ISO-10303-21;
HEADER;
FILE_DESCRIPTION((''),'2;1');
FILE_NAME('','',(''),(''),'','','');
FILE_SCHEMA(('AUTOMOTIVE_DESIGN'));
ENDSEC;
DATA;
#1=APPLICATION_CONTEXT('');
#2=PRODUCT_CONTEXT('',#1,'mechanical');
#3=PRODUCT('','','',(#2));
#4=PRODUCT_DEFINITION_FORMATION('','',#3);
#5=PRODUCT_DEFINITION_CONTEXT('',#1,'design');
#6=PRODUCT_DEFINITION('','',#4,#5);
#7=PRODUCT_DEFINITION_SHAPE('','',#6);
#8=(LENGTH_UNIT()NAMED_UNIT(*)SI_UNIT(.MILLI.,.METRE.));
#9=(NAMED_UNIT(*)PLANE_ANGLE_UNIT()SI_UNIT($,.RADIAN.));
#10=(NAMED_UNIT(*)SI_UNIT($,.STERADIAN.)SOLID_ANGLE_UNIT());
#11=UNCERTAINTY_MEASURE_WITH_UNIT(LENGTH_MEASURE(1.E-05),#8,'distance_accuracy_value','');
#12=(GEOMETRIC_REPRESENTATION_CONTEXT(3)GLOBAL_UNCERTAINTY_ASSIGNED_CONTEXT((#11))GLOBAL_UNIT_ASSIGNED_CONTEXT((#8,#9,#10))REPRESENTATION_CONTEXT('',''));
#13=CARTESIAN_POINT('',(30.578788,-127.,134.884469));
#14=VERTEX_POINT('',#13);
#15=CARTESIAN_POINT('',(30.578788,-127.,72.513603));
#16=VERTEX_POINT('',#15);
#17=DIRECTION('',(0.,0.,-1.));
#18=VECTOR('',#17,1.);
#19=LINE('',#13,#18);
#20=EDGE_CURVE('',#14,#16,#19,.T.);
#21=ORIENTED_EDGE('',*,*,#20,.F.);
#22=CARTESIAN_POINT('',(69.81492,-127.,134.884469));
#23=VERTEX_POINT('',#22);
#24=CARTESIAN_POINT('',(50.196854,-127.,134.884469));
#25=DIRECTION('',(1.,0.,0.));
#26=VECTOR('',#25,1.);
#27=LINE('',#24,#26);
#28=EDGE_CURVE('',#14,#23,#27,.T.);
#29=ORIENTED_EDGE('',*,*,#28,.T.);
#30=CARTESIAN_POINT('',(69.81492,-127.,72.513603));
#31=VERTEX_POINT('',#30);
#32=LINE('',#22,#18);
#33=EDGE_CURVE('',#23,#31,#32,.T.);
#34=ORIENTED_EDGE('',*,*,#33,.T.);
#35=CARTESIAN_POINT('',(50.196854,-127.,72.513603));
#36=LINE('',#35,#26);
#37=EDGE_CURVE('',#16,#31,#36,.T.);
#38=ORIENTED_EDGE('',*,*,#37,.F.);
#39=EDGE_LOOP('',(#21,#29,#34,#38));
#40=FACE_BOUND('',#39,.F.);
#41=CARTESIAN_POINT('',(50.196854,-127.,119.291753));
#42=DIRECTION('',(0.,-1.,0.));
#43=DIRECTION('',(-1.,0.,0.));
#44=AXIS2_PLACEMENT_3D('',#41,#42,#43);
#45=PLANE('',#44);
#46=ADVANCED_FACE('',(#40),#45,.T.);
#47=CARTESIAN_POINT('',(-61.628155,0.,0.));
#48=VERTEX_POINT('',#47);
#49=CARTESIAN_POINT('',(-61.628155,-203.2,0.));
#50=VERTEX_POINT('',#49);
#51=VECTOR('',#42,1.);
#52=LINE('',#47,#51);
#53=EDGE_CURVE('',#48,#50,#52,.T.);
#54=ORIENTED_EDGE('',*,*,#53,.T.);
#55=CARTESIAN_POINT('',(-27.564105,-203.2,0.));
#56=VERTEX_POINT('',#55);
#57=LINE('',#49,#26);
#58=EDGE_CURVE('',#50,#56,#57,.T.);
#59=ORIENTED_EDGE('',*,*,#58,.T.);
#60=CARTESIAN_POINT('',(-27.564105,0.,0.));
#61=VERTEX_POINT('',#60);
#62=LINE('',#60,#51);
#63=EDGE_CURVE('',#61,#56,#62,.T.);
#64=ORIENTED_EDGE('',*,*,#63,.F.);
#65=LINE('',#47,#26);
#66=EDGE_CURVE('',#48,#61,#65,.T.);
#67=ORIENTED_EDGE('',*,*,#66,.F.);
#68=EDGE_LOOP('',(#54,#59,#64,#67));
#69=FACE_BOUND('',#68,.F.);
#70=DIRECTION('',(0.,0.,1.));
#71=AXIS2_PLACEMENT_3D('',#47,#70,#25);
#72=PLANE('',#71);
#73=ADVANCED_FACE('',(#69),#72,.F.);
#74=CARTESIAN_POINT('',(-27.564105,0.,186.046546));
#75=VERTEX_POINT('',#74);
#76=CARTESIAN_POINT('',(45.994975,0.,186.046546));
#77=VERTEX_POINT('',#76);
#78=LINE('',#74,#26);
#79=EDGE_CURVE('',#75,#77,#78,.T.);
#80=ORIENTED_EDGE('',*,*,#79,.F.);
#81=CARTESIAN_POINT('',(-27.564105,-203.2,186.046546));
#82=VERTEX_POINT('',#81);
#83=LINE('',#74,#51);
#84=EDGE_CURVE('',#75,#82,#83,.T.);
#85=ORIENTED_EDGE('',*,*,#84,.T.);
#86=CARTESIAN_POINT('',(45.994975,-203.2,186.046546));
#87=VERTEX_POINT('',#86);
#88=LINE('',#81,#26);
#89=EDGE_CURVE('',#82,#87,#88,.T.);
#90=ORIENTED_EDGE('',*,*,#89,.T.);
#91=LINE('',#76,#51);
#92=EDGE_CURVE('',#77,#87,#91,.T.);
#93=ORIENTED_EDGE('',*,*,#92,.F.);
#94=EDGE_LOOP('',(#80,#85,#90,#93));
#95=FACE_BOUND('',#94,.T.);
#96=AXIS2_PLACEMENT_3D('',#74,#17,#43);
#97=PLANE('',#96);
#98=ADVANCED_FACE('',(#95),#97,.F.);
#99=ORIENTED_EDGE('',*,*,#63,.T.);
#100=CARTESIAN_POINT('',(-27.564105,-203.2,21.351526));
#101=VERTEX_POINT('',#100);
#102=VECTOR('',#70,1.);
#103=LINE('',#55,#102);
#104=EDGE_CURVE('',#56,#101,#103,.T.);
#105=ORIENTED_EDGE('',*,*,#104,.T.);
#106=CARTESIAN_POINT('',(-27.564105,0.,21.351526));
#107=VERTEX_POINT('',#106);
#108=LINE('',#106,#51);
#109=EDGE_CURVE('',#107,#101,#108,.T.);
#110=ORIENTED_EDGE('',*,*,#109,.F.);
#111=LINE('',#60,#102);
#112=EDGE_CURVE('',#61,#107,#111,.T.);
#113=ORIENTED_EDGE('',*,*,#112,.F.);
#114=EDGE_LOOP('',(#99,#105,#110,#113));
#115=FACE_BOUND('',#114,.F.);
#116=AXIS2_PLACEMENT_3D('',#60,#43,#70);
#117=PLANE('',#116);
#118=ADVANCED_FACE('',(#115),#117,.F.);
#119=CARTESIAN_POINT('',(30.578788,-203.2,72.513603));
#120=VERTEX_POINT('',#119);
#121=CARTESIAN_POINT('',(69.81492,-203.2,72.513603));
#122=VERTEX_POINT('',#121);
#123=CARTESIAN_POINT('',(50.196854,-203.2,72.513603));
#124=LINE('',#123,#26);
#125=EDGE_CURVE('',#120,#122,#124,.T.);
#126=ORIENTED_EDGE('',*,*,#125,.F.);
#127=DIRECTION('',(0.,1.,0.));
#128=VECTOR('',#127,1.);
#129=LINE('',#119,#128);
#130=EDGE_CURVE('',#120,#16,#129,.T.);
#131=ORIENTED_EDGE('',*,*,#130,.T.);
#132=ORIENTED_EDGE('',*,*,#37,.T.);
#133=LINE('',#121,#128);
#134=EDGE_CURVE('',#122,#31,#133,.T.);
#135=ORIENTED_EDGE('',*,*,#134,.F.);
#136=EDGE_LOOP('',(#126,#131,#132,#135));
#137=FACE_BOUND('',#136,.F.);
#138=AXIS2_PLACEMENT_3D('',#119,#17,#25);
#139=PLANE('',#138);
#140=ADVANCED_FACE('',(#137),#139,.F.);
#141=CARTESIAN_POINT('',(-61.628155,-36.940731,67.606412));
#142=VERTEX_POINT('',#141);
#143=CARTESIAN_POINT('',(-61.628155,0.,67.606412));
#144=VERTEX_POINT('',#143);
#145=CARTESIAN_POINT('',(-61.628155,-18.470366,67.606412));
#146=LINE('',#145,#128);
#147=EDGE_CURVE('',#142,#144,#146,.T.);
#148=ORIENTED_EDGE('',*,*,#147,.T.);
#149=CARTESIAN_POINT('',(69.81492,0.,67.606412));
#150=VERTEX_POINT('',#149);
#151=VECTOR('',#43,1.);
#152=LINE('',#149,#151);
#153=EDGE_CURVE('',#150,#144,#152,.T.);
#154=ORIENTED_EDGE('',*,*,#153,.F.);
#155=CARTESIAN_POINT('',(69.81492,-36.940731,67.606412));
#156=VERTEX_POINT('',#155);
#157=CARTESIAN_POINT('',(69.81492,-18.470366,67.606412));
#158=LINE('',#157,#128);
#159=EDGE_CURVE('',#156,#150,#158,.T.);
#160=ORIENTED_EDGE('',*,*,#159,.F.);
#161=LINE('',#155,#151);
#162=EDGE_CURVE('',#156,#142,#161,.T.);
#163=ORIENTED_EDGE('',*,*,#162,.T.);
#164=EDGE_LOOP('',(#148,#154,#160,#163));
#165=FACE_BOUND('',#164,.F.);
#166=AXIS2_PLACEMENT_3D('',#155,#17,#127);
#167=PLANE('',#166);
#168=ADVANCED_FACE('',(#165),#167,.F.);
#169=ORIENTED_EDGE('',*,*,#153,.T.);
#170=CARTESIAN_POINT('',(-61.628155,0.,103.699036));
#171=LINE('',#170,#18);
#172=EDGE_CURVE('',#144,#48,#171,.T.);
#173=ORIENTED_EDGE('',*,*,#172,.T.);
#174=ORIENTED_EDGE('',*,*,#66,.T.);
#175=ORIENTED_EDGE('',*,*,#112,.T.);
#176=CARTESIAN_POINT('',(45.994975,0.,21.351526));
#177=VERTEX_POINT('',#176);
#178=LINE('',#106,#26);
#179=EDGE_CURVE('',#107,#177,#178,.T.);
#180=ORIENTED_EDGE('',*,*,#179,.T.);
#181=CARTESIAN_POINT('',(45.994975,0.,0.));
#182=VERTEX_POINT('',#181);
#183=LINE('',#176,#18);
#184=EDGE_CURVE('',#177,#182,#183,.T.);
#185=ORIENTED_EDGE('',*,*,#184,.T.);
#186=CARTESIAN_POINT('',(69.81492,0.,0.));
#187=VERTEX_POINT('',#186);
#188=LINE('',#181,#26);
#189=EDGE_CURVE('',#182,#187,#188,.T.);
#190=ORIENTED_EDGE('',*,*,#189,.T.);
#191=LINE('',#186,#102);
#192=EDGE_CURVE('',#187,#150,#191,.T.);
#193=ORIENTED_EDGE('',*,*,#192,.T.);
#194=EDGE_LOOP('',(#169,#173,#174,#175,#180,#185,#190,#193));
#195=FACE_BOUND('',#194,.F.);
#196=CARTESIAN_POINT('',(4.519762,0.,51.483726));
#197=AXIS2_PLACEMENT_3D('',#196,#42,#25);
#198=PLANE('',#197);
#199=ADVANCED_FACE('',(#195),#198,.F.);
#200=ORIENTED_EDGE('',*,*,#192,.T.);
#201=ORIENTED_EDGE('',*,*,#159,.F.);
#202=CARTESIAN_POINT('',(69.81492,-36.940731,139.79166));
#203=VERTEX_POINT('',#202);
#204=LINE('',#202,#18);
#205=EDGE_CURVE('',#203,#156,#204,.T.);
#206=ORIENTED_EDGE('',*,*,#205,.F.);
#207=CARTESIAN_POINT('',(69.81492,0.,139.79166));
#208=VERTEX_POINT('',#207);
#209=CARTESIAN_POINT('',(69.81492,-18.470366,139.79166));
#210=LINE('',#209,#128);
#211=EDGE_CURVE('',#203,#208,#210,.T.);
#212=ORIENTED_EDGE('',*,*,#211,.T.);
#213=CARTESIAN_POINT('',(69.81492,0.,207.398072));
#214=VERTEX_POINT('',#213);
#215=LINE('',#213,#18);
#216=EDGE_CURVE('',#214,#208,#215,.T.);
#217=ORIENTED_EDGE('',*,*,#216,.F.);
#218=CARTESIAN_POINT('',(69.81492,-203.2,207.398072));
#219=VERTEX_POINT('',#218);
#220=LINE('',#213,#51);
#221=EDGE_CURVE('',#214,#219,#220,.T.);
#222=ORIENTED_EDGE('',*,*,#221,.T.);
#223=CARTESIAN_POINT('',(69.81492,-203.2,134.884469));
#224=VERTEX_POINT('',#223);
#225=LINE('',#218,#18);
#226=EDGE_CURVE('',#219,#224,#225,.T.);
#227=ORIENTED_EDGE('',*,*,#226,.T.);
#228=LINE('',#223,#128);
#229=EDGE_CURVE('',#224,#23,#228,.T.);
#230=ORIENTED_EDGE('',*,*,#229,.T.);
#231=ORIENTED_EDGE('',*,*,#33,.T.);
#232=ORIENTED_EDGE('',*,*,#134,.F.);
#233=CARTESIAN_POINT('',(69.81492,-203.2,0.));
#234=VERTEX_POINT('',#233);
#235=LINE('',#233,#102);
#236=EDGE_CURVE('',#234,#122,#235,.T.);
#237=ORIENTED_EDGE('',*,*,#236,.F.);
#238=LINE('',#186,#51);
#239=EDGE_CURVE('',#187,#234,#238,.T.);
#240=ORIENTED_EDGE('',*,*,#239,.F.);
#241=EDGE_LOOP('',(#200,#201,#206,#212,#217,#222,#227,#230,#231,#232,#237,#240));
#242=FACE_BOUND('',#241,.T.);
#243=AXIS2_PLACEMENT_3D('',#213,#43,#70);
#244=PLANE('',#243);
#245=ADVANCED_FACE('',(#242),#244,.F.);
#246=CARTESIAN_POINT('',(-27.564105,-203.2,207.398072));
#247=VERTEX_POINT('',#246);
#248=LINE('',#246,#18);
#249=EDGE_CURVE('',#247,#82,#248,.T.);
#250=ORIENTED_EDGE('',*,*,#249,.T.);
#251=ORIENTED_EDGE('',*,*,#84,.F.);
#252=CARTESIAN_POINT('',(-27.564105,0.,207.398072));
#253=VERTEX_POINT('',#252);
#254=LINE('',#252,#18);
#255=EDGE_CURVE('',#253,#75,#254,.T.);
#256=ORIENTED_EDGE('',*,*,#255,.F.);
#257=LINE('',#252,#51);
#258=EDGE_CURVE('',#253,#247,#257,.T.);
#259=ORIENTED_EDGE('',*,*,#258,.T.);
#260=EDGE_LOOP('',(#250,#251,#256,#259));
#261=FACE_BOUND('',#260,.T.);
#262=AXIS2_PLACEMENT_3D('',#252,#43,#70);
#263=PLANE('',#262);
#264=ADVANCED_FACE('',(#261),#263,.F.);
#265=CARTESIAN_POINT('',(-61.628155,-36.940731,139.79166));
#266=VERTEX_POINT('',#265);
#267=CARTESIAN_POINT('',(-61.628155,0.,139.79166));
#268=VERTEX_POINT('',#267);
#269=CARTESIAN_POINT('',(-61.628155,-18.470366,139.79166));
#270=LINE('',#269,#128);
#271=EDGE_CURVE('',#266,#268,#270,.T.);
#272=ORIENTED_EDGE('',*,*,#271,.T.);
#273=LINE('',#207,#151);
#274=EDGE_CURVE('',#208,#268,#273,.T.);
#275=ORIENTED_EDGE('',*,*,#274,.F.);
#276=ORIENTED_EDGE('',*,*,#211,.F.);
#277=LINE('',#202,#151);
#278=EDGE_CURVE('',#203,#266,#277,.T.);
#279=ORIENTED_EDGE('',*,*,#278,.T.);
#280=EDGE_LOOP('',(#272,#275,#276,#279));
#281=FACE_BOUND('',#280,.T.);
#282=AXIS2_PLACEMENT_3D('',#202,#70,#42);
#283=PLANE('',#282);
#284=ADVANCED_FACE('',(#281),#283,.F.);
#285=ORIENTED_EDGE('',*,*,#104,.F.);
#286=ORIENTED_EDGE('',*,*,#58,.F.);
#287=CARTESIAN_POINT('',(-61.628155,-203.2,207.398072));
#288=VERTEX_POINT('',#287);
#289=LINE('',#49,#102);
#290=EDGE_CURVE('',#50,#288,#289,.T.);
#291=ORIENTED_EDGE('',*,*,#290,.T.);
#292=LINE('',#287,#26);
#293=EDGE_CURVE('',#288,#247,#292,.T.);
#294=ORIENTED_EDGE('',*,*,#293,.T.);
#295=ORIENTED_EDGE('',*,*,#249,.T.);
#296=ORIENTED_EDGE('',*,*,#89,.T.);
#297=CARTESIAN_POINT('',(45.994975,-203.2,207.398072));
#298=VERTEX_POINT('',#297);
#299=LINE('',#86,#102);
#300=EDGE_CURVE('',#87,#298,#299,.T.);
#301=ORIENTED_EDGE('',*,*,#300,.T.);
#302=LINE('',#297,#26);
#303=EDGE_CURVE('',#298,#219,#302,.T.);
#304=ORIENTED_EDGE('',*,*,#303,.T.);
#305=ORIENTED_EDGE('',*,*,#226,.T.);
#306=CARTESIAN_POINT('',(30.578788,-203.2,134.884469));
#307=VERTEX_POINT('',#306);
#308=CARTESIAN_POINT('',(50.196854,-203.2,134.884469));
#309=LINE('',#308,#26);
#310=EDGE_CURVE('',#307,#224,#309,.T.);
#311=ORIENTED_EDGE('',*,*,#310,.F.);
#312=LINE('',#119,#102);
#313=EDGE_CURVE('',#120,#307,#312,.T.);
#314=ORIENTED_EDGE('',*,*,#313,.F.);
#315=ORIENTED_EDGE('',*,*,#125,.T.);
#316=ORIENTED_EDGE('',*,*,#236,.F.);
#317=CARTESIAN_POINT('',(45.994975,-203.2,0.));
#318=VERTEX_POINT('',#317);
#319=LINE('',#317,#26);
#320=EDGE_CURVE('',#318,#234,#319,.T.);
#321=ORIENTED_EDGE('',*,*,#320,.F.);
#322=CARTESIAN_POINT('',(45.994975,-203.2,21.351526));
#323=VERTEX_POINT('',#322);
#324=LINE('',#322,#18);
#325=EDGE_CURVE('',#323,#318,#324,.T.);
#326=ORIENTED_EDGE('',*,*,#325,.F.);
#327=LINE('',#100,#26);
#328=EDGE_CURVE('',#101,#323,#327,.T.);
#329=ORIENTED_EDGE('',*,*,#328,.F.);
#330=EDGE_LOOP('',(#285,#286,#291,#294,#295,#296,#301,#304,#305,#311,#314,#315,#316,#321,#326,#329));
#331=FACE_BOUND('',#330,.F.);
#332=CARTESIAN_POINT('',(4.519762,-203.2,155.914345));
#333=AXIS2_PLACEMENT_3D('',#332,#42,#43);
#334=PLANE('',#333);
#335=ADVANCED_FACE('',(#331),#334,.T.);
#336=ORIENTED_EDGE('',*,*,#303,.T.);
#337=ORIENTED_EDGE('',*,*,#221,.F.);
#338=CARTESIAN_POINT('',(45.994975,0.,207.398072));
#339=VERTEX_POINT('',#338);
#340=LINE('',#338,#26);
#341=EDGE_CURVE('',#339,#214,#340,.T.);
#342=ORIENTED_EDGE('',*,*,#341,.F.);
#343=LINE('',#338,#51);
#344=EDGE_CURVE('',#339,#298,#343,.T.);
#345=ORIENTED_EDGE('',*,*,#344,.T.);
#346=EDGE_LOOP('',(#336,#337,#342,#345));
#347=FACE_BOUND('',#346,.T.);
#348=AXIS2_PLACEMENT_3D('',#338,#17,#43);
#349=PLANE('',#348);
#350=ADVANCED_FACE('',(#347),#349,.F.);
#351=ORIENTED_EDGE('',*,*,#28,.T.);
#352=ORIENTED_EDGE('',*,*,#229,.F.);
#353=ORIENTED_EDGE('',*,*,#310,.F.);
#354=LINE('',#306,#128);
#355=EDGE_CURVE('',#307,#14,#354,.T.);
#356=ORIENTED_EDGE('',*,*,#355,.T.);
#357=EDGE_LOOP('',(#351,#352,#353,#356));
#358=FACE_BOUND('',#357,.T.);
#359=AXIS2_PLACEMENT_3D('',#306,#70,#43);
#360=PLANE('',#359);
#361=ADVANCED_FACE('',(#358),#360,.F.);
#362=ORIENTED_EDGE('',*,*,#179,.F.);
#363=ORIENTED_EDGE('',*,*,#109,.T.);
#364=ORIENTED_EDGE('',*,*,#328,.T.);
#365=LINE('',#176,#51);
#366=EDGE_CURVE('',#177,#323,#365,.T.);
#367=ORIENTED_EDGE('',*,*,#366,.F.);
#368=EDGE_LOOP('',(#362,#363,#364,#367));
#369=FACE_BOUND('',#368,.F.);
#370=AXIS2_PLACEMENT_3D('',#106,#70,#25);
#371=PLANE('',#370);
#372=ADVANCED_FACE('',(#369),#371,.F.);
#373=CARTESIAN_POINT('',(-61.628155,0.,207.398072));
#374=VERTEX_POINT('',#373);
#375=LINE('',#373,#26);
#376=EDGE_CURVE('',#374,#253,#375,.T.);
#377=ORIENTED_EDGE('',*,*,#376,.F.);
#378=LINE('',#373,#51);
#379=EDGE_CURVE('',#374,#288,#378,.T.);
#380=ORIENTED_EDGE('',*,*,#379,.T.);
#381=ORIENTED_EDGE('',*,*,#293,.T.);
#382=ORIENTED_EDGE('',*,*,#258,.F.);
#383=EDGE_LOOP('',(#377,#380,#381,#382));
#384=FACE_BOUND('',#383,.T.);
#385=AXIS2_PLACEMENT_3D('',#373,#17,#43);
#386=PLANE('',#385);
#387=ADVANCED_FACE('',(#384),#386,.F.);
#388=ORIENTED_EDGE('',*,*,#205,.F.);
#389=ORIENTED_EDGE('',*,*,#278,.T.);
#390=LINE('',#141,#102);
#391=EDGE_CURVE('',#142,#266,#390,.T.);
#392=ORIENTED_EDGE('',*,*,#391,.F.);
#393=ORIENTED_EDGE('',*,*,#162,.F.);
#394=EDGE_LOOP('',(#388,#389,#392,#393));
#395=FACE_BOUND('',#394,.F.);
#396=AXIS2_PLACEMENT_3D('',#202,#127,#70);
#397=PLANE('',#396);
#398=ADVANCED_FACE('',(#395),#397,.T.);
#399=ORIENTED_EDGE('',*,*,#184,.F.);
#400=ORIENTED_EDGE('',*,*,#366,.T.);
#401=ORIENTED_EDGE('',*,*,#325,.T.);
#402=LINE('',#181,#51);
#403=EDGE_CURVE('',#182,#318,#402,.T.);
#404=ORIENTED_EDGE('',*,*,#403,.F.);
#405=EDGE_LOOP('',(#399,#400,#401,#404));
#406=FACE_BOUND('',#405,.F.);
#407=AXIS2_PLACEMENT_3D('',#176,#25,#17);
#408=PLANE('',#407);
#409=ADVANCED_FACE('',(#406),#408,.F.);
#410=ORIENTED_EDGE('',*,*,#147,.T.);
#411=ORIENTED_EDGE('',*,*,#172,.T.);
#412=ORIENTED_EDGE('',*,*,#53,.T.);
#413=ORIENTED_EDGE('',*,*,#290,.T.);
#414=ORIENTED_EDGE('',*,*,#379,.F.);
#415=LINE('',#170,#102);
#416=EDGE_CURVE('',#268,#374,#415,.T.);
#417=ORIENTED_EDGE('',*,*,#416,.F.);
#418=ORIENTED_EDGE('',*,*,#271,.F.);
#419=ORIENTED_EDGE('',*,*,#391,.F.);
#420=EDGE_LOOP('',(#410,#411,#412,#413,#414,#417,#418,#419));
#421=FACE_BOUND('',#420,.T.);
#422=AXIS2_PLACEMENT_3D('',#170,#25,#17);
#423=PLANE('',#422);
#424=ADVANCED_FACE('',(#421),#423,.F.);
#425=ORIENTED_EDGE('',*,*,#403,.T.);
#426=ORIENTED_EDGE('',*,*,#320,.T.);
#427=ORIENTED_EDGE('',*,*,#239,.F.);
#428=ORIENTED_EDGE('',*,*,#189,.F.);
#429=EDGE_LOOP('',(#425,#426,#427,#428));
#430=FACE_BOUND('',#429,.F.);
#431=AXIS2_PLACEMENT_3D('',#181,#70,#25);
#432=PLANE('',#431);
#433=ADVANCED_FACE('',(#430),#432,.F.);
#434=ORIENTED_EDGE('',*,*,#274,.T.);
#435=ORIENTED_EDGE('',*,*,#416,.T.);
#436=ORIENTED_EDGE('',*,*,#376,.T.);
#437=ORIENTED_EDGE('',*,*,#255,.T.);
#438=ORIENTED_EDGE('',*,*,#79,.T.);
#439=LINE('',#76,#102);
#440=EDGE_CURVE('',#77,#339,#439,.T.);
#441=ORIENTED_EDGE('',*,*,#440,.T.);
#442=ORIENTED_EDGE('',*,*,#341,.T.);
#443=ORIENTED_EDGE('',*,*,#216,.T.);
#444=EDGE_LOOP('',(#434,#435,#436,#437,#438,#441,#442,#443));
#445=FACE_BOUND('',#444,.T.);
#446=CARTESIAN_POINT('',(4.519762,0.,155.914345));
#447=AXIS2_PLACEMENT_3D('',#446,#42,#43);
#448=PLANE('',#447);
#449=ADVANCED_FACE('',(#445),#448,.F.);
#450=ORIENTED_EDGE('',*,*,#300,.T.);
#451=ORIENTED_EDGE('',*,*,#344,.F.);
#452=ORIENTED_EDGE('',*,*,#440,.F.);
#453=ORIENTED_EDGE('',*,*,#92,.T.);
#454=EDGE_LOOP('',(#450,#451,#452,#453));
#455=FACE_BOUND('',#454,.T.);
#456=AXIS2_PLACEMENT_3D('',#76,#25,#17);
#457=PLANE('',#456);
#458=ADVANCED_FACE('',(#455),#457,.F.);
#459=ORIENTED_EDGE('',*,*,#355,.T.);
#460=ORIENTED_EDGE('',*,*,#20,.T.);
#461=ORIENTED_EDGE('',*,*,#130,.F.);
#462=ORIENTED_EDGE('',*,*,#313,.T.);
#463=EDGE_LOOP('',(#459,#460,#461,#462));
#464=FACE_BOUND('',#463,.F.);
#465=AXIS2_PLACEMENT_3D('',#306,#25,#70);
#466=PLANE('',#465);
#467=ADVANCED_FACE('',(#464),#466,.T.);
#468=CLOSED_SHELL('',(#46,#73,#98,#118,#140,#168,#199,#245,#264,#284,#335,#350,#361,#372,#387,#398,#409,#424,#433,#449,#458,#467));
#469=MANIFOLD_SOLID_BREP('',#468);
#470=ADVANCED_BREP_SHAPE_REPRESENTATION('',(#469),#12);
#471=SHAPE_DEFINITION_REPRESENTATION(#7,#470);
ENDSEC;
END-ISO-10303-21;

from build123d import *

# Parameters (mm, degrees)
F1_DEPTH = 203.2
F2_W     = 39.2361320555
F2_H     = 31.1854332685
F3_DEPTH = 76.2
F4_W     = 36.9407311082
F4_H     = 36.0926240683
F5_DEPTH = 152.4


with BuildPart() as f1:
    # F0 (on Front) → F1 (new body)
    with BuildSketch(Plane.XZ):
        Polygon((69.8149204254, 103.6990359426), (-61.6281554103, 103.6990359426), (-61.6281554103, 0), (-27.5641046464, 0), (-27.5641046464, 21.35152556), (45.9949746728, 21.35152556), (45.9949746728, 0), (69.8149204254, 0), align=None)
    extrude(amount=F1_DEPTH)

    # F2 (on face) → F3 (cut)
    with BuildSketch(Plane.XZ.offset(203.2)):
        with Locations((50.1968543977, 88.1063193083)):
            Rectangle(F2_W, F2_H)
    extrude(amount=-F3_DEPTH, mode=Mode.SUBTRACT)

    # F4 (on face) → F5 (cut)
    with BuildSketch(Plane.YZ.offset(69.8149204254)):
        with Locations((-18.4703655541, 85.6527239084)):
            Rectangle(F4_W, F4_H)
    extrude(amount=-F5_DEPTH, mode=Mode.SUBTRACT)

    # F6: F1 across face


with BuildPart() as f1_1:
    add(f1.part)
    add(f1.part.mirror(Plane(origin=(-3.2137127472, -112.9334664292, 103.6990359426), x_dir=(1, 0, 0), z_dir=(0, 0, 1))))


solid = f1_1.part
